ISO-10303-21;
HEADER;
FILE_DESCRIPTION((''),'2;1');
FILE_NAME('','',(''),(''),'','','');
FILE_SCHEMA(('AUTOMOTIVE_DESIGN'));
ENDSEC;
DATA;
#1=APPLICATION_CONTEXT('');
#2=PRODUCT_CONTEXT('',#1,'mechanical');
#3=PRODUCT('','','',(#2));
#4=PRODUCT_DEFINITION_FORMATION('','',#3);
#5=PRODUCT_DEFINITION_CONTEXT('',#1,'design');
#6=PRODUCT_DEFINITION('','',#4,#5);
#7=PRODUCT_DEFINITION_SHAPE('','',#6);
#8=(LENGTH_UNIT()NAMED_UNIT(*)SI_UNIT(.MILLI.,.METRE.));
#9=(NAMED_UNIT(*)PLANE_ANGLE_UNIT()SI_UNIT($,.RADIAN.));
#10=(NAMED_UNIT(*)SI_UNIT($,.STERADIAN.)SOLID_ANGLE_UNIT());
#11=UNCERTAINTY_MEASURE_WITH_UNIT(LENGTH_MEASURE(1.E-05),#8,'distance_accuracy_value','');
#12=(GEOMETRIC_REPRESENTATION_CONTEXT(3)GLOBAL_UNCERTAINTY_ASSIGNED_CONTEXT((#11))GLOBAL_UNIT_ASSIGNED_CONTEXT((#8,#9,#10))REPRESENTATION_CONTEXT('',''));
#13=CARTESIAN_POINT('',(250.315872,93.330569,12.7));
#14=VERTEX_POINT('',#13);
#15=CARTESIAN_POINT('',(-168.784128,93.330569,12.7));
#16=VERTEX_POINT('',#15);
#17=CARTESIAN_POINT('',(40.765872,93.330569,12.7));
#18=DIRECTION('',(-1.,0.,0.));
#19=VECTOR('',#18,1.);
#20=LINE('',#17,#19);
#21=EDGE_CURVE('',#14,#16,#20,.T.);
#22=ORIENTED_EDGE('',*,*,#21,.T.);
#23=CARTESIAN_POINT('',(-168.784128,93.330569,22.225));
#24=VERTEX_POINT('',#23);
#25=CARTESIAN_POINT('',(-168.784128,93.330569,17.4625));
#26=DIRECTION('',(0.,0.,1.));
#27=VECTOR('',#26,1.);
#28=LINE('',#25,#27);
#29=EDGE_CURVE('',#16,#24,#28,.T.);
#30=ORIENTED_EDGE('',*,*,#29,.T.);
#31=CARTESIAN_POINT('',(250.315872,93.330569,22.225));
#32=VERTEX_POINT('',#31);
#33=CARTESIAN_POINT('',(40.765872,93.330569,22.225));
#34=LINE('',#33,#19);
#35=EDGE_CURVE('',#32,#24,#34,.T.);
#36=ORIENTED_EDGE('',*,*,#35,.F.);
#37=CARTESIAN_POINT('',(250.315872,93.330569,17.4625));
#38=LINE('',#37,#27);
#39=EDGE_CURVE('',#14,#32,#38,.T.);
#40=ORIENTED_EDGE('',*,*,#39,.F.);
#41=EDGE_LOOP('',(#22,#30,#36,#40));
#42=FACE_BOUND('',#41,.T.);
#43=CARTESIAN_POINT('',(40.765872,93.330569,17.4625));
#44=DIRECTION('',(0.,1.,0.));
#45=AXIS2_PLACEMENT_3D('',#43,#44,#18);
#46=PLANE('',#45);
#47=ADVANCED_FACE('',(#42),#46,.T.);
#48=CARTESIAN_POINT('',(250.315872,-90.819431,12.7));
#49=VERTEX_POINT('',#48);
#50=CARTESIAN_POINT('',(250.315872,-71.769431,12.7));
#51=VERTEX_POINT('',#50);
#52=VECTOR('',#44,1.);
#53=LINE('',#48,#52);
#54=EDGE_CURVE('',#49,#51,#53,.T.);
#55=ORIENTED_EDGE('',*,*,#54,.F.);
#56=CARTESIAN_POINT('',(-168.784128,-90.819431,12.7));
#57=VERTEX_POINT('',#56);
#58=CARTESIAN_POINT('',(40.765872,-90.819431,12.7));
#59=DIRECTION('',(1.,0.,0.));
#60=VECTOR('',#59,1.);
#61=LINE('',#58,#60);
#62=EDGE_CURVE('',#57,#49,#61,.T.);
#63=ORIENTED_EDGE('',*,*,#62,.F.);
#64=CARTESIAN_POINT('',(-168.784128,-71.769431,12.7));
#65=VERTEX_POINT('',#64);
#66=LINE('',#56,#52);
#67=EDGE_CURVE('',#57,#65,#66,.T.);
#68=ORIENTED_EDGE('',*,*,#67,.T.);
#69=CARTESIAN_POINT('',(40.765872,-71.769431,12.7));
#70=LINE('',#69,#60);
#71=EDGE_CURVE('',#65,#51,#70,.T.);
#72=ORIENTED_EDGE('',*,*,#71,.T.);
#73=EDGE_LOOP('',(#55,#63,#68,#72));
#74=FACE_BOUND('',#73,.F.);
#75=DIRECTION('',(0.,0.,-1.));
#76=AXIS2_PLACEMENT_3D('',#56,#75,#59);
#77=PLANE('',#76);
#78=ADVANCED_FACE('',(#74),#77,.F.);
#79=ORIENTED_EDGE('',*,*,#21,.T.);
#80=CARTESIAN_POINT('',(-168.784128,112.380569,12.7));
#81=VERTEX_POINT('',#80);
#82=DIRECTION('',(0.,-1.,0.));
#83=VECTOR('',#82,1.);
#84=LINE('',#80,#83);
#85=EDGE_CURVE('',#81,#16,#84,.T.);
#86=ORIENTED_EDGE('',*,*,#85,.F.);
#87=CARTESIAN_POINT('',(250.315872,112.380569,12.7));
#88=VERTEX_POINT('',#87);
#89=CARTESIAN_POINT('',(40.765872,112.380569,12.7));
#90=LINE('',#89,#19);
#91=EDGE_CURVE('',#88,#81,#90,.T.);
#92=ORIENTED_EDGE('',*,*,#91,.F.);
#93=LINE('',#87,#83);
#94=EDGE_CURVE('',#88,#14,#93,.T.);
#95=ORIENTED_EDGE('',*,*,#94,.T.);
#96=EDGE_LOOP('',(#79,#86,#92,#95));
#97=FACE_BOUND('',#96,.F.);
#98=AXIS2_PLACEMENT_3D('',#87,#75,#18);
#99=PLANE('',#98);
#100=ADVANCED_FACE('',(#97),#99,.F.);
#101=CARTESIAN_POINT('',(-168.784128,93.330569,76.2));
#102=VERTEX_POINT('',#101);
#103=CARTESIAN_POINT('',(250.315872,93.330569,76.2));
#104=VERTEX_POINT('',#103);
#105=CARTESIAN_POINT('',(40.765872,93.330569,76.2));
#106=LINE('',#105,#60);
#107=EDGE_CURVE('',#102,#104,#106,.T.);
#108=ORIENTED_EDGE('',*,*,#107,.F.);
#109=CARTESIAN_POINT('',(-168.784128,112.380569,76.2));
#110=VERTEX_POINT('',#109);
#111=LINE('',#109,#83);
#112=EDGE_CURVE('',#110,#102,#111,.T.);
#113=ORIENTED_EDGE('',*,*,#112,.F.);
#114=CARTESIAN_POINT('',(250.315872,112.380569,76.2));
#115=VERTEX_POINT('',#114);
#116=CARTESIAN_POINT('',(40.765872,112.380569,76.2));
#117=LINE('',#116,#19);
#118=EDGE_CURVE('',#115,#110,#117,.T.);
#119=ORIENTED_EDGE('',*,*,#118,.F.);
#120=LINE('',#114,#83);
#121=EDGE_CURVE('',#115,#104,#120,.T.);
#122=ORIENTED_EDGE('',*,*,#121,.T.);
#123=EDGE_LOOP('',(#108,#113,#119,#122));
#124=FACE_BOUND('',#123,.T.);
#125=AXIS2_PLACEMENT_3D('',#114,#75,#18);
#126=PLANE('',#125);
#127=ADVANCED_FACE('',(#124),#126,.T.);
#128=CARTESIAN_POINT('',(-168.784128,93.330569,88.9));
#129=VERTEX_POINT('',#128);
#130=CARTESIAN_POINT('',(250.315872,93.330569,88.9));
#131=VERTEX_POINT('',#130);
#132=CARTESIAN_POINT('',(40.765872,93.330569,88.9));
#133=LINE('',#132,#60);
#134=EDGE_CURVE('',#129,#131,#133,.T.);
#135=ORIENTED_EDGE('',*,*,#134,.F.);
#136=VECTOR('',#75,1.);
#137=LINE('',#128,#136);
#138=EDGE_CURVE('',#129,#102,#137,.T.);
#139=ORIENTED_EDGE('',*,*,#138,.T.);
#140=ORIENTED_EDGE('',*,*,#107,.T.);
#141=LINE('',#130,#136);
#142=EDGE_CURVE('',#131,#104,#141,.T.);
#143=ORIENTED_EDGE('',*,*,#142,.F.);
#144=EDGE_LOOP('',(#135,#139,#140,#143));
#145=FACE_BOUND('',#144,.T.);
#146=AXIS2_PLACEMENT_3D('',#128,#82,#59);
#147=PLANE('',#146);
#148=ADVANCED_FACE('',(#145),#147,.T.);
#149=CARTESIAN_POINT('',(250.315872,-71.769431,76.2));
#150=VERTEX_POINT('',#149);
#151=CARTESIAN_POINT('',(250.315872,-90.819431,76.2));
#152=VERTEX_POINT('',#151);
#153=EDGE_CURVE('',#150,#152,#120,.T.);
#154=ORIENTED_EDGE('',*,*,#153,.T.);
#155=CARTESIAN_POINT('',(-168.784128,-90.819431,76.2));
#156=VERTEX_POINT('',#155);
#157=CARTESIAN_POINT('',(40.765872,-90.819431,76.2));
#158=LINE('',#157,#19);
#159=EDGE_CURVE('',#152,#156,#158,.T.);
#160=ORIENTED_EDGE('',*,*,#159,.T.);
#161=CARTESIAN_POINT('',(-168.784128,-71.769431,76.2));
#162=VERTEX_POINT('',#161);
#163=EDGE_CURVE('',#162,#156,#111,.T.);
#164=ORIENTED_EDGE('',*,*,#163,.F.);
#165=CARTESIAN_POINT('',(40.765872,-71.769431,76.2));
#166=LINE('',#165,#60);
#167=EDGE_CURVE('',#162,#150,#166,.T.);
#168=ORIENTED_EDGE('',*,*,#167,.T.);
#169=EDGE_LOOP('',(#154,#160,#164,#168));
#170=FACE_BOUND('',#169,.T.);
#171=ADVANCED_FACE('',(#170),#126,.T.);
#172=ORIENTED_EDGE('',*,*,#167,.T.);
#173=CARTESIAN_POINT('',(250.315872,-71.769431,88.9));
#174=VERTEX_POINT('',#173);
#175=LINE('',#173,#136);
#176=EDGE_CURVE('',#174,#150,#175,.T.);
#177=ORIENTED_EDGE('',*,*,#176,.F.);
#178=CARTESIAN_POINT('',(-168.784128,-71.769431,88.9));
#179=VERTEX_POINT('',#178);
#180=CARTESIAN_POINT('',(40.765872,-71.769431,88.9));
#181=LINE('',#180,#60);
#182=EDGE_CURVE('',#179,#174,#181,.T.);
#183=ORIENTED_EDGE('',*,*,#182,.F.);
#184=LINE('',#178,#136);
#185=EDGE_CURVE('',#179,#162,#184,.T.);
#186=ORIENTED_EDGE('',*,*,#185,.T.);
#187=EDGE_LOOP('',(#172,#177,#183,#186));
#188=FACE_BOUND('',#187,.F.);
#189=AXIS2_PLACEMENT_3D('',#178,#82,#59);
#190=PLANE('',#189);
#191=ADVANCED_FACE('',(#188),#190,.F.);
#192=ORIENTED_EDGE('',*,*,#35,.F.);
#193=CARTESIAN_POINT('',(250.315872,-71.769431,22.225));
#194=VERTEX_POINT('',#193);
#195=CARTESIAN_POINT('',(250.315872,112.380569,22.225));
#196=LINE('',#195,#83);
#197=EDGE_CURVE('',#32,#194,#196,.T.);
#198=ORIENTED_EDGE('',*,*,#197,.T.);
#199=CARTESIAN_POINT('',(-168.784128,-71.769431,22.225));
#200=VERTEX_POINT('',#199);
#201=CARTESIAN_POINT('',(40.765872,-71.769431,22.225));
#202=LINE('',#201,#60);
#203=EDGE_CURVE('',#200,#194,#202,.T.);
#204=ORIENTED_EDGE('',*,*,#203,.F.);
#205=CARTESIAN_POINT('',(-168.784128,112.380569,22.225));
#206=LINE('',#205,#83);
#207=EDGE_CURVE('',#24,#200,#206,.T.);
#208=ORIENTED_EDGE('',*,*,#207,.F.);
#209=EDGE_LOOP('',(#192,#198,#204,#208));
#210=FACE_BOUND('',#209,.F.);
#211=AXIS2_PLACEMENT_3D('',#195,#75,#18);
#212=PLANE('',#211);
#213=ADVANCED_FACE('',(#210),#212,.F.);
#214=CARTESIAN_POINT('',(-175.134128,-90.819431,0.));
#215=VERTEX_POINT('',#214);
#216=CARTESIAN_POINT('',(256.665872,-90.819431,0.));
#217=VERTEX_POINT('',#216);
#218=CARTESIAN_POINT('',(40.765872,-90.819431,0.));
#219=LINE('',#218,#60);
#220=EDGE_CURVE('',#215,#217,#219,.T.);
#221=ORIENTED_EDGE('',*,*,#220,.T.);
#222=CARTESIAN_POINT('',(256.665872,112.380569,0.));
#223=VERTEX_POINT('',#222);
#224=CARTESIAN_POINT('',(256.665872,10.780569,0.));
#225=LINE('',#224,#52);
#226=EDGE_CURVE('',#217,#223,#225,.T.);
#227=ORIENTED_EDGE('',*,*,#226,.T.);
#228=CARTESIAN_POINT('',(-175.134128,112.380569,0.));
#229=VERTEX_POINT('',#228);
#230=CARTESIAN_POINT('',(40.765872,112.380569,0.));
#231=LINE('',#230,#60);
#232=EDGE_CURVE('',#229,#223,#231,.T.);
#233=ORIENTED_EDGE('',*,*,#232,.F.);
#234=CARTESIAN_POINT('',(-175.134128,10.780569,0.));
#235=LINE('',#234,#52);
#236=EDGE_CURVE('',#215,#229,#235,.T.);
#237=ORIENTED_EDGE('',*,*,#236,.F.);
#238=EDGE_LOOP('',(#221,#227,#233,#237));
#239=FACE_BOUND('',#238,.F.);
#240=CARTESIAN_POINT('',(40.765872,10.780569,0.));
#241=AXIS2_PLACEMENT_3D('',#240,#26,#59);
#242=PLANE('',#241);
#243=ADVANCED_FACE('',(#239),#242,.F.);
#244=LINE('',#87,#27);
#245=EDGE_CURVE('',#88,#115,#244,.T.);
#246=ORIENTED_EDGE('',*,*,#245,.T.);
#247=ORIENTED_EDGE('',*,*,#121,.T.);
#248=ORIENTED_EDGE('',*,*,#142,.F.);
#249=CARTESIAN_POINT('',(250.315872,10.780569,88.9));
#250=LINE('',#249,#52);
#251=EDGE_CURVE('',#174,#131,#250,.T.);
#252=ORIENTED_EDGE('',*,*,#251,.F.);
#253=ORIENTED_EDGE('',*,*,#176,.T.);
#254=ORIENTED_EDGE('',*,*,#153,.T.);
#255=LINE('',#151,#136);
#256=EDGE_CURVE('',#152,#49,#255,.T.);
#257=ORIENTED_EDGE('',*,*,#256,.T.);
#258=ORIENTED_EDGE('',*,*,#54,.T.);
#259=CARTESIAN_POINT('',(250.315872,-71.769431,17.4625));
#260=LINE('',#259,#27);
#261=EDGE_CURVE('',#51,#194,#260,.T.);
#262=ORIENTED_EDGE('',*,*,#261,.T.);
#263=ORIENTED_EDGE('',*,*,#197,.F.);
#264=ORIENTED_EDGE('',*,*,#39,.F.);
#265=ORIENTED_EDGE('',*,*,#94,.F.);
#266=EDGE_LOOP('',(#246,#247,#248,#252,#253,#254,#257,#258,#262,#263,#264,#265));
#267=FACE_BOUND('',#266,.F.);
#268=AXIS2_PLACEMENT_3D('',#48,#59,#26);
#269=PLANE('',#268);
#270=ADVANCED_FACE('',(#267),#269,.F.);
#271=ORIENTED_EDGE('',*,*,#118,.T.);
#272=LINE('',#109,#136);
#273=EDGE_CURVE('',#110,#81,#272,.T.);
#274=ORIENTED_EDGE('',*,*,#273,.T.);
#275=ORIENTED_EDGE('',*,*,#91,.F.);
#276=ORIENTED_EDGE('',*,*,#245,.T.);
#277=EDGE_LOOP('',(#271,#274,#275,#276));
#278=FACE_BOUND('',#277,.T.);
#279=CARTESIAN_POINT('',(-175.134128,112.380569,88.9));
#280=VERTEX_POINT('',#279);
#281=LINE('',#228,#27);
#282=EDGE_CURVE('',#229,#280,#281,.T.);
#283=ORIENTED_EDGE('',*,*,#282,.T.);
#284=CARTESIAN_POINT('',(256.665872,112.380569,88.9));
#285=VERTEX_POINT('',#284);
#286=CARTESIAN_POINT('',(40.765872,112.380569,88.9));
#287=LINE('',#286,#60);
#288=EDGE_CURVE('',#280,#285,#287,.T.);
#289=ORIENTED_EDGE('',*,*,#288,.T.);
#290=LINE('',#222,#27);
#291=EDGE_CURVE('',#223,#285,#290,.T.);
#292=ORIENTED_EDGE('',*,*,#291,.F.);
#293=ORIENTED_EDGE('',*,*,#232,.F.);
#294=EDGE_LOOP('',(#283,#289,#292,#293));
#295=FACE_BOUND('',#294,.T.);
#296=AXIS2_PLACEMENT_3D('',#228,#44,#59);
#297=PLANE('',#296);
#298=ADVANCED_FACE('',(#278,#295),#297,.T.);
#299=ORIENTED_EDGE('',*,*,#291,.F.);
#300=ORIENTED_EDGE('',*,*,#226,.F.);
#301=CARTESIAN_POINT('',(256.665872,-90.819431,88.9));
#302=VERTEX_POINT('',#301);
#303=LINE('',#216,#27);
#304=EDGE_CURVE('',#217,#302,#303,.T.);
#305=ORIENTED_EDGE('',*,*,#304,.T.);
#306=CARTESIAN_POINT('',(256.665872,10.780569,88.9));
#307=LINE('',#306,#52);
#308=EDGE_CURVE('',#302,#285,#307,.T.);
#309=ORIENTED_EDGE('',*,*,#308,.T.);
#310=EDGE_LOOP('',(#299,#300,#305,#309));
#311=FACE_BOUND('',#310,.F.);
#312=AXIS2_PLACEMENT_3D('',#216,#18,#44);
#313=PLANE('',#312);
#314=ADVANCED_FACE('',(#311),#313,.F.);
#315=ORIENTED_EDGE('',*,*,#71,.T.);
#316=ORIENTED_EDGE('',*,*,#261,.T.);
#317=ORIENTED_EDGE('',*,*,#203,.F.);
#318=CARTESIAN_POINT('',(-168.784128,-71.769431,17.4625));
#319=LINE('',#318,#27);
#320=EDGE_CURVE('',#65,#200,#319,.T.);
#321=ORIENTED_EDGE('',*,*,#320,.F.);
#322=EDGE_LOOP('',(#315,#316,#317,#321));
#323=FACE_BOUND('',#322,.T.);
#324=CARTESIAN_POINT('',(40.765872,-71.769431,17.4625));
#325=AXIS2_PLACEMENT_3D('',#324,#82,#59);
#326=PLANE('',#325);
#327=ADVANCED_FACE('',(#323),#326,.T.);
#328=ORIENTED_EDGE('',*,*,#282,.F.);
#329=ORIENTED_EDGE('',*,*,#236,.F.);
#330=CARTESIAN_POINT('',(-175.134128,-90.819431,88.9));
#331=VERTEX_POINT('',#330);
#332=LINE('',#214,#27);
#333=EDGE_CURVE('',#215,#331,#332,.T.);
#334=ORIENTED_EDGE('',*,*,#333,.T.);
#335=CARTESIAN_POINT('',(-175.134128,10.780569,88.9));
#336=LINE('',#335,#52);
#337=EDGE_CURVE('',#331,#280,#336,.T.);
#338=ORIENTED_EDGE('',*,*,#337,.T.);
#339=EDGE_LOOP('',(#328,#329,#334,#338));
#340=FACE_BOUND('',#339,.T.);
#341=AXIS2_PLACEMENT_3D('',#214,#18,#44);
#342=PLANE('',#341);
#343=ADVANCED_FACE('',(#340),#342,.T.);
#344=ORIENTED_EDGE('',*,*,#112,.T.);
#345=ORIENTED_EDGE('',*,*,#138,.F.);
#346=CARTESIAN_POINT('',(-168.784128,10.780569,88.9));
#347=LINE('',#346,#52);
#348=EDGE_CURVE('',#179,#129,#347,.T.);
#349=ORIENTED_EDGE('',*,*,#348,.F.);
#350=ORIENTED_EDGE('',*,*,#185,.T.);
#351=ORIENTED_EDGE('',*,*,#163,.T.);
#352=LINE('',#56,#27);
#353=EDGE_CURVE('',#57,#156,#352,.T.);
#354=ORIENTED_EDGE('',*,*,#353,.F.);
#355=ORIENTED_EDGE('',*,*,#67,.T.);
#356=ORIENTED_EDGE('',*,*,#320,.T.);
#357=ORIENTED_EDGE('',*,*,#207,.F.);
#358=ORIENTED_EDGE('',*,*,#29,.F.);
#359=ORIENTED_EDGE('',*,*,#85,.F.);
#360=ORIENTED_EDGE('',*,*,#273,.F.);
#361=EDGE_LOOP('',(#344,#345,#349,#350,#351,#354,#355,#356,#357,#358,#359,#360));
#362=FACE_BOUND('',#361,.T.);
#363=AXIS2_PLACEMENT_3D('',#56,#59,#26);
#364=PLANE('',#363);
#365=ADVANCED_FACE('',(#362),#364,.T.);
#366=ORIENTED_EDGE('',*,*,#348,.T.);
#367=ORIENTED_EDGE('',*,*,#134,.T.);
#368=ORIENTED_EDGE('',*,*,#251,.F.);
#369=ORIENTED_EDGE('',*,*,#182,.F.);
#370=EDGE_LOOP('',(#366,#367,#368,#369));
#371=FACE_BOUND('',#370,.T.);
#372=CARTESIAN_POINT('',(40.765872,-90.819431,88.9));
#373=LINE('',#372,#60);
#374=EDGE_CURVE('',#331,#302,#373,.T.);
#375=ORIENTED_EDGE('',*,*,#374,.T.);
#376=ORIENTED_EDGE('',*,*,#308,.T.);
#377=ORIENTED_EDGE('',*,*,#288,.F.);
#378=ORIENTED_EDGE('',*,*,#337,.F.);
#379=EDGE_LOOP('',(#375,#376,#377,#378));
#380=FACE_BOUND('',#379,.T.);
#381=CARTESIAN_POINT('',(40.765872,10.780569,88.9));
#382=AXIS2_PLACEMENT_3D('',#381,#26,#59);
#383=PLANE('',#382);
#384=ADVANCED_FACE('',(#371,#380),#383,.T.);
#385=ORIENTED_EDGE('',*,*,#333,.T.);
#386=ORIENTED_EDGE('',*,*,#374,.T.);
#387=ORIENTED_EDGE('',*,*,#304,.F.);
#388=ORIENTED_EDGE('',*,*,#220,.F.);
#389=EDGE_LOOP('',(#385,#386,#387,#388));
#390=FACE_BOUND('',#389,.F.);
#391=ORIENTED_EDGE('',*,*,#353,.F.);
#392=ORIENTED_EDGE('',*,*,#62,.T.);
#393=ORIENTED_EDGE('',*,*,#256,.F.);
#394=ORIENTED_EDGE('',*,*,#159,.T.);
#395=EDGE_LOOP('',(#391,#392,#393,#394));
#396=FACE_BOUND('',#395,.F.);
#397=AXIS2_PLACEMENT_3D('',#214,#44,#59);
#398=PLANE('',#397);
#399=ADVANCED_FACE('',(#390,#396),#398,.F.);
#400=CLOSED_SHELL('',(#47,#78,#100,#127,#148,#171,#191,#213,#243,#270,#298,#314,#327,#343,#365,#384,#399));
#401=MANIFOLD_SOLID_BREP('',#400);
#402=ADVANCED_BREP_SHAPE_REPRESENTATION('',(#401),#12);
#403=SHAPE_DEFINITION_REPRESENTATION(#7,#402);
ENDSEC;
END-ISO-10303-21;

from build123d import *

# Parameters (mm, degrees)
F0_W     = 431.8
F0_H     = 203.2
F1_DEPTH = 88.9
F2_W     = 419.1
F2_H     = 53.975
F3_DEPTH = 203.2
F4_W     = 419.1
F4_H     = 165.1
F5_DEPTH = 12.7
F6_W     = 419.1
F6_H     = 9.525
F7_DEPTH = 19.05
F8_W     = 419.1
F8_H     = 9.525
F9_DEPTH = 19.05


with BuildPart() as f1:
    # F0 (on Top) → F1 (new body)
    with BuildSketch(Plane.XY):
        with Locations((40.765872, 10.780569)):
            Rectangle(F0_W, F0_H)
    extrude(amount=F1_DEPTH)

    # F2 (on face) → F3 (cut, through all)
    with BuildSketch(Plane(origin=(0, 112.380569, 0), x_dir=(-1, 0, 0), z_dir=(0, 1, 0))):
        with Locations((-40.765872, 49.2125)):
            Rectangle(F2_W, F2_H)
    extrude(amount=-F3_DEPTH, mode=Mode.SUBTRACT)

    # F4 (on face) → F5 (cut, through all)
    with BuildSketch(Plane.XY.offset(88.9)):
        with Locations((40.765872, 10.780569)):
            Rectangle(F4_W, F4_H)
    extrude(amount=-F5_DEPTH, mode=Mode.SUBTRACT)

    # F6 (on face) → F7 (cut)
    with BuildSketch(Plane(origin=(0, 112.380569, 0), x_dir=(-1, 0, 0), z_dir=(0, 1, 0))):
        with Locations((-40.765872, 17.4625)):
            Rectangle(F6_W, F6_H)
    extrude(amount=-F7_DEPTH, mode=Mode.SUBTRACT)

    # F8 (on face) → F9 (cut)
    with BuildSketch(Plane.XZ.offset(90.819431)):
        with Locations((40.765872, 17.4625)):
            Rectangle(F8_W, F8_H)
    extrude(amount=-F9_DEPTH, mode=Mode.SUBTRACT)


solid = f1.part
